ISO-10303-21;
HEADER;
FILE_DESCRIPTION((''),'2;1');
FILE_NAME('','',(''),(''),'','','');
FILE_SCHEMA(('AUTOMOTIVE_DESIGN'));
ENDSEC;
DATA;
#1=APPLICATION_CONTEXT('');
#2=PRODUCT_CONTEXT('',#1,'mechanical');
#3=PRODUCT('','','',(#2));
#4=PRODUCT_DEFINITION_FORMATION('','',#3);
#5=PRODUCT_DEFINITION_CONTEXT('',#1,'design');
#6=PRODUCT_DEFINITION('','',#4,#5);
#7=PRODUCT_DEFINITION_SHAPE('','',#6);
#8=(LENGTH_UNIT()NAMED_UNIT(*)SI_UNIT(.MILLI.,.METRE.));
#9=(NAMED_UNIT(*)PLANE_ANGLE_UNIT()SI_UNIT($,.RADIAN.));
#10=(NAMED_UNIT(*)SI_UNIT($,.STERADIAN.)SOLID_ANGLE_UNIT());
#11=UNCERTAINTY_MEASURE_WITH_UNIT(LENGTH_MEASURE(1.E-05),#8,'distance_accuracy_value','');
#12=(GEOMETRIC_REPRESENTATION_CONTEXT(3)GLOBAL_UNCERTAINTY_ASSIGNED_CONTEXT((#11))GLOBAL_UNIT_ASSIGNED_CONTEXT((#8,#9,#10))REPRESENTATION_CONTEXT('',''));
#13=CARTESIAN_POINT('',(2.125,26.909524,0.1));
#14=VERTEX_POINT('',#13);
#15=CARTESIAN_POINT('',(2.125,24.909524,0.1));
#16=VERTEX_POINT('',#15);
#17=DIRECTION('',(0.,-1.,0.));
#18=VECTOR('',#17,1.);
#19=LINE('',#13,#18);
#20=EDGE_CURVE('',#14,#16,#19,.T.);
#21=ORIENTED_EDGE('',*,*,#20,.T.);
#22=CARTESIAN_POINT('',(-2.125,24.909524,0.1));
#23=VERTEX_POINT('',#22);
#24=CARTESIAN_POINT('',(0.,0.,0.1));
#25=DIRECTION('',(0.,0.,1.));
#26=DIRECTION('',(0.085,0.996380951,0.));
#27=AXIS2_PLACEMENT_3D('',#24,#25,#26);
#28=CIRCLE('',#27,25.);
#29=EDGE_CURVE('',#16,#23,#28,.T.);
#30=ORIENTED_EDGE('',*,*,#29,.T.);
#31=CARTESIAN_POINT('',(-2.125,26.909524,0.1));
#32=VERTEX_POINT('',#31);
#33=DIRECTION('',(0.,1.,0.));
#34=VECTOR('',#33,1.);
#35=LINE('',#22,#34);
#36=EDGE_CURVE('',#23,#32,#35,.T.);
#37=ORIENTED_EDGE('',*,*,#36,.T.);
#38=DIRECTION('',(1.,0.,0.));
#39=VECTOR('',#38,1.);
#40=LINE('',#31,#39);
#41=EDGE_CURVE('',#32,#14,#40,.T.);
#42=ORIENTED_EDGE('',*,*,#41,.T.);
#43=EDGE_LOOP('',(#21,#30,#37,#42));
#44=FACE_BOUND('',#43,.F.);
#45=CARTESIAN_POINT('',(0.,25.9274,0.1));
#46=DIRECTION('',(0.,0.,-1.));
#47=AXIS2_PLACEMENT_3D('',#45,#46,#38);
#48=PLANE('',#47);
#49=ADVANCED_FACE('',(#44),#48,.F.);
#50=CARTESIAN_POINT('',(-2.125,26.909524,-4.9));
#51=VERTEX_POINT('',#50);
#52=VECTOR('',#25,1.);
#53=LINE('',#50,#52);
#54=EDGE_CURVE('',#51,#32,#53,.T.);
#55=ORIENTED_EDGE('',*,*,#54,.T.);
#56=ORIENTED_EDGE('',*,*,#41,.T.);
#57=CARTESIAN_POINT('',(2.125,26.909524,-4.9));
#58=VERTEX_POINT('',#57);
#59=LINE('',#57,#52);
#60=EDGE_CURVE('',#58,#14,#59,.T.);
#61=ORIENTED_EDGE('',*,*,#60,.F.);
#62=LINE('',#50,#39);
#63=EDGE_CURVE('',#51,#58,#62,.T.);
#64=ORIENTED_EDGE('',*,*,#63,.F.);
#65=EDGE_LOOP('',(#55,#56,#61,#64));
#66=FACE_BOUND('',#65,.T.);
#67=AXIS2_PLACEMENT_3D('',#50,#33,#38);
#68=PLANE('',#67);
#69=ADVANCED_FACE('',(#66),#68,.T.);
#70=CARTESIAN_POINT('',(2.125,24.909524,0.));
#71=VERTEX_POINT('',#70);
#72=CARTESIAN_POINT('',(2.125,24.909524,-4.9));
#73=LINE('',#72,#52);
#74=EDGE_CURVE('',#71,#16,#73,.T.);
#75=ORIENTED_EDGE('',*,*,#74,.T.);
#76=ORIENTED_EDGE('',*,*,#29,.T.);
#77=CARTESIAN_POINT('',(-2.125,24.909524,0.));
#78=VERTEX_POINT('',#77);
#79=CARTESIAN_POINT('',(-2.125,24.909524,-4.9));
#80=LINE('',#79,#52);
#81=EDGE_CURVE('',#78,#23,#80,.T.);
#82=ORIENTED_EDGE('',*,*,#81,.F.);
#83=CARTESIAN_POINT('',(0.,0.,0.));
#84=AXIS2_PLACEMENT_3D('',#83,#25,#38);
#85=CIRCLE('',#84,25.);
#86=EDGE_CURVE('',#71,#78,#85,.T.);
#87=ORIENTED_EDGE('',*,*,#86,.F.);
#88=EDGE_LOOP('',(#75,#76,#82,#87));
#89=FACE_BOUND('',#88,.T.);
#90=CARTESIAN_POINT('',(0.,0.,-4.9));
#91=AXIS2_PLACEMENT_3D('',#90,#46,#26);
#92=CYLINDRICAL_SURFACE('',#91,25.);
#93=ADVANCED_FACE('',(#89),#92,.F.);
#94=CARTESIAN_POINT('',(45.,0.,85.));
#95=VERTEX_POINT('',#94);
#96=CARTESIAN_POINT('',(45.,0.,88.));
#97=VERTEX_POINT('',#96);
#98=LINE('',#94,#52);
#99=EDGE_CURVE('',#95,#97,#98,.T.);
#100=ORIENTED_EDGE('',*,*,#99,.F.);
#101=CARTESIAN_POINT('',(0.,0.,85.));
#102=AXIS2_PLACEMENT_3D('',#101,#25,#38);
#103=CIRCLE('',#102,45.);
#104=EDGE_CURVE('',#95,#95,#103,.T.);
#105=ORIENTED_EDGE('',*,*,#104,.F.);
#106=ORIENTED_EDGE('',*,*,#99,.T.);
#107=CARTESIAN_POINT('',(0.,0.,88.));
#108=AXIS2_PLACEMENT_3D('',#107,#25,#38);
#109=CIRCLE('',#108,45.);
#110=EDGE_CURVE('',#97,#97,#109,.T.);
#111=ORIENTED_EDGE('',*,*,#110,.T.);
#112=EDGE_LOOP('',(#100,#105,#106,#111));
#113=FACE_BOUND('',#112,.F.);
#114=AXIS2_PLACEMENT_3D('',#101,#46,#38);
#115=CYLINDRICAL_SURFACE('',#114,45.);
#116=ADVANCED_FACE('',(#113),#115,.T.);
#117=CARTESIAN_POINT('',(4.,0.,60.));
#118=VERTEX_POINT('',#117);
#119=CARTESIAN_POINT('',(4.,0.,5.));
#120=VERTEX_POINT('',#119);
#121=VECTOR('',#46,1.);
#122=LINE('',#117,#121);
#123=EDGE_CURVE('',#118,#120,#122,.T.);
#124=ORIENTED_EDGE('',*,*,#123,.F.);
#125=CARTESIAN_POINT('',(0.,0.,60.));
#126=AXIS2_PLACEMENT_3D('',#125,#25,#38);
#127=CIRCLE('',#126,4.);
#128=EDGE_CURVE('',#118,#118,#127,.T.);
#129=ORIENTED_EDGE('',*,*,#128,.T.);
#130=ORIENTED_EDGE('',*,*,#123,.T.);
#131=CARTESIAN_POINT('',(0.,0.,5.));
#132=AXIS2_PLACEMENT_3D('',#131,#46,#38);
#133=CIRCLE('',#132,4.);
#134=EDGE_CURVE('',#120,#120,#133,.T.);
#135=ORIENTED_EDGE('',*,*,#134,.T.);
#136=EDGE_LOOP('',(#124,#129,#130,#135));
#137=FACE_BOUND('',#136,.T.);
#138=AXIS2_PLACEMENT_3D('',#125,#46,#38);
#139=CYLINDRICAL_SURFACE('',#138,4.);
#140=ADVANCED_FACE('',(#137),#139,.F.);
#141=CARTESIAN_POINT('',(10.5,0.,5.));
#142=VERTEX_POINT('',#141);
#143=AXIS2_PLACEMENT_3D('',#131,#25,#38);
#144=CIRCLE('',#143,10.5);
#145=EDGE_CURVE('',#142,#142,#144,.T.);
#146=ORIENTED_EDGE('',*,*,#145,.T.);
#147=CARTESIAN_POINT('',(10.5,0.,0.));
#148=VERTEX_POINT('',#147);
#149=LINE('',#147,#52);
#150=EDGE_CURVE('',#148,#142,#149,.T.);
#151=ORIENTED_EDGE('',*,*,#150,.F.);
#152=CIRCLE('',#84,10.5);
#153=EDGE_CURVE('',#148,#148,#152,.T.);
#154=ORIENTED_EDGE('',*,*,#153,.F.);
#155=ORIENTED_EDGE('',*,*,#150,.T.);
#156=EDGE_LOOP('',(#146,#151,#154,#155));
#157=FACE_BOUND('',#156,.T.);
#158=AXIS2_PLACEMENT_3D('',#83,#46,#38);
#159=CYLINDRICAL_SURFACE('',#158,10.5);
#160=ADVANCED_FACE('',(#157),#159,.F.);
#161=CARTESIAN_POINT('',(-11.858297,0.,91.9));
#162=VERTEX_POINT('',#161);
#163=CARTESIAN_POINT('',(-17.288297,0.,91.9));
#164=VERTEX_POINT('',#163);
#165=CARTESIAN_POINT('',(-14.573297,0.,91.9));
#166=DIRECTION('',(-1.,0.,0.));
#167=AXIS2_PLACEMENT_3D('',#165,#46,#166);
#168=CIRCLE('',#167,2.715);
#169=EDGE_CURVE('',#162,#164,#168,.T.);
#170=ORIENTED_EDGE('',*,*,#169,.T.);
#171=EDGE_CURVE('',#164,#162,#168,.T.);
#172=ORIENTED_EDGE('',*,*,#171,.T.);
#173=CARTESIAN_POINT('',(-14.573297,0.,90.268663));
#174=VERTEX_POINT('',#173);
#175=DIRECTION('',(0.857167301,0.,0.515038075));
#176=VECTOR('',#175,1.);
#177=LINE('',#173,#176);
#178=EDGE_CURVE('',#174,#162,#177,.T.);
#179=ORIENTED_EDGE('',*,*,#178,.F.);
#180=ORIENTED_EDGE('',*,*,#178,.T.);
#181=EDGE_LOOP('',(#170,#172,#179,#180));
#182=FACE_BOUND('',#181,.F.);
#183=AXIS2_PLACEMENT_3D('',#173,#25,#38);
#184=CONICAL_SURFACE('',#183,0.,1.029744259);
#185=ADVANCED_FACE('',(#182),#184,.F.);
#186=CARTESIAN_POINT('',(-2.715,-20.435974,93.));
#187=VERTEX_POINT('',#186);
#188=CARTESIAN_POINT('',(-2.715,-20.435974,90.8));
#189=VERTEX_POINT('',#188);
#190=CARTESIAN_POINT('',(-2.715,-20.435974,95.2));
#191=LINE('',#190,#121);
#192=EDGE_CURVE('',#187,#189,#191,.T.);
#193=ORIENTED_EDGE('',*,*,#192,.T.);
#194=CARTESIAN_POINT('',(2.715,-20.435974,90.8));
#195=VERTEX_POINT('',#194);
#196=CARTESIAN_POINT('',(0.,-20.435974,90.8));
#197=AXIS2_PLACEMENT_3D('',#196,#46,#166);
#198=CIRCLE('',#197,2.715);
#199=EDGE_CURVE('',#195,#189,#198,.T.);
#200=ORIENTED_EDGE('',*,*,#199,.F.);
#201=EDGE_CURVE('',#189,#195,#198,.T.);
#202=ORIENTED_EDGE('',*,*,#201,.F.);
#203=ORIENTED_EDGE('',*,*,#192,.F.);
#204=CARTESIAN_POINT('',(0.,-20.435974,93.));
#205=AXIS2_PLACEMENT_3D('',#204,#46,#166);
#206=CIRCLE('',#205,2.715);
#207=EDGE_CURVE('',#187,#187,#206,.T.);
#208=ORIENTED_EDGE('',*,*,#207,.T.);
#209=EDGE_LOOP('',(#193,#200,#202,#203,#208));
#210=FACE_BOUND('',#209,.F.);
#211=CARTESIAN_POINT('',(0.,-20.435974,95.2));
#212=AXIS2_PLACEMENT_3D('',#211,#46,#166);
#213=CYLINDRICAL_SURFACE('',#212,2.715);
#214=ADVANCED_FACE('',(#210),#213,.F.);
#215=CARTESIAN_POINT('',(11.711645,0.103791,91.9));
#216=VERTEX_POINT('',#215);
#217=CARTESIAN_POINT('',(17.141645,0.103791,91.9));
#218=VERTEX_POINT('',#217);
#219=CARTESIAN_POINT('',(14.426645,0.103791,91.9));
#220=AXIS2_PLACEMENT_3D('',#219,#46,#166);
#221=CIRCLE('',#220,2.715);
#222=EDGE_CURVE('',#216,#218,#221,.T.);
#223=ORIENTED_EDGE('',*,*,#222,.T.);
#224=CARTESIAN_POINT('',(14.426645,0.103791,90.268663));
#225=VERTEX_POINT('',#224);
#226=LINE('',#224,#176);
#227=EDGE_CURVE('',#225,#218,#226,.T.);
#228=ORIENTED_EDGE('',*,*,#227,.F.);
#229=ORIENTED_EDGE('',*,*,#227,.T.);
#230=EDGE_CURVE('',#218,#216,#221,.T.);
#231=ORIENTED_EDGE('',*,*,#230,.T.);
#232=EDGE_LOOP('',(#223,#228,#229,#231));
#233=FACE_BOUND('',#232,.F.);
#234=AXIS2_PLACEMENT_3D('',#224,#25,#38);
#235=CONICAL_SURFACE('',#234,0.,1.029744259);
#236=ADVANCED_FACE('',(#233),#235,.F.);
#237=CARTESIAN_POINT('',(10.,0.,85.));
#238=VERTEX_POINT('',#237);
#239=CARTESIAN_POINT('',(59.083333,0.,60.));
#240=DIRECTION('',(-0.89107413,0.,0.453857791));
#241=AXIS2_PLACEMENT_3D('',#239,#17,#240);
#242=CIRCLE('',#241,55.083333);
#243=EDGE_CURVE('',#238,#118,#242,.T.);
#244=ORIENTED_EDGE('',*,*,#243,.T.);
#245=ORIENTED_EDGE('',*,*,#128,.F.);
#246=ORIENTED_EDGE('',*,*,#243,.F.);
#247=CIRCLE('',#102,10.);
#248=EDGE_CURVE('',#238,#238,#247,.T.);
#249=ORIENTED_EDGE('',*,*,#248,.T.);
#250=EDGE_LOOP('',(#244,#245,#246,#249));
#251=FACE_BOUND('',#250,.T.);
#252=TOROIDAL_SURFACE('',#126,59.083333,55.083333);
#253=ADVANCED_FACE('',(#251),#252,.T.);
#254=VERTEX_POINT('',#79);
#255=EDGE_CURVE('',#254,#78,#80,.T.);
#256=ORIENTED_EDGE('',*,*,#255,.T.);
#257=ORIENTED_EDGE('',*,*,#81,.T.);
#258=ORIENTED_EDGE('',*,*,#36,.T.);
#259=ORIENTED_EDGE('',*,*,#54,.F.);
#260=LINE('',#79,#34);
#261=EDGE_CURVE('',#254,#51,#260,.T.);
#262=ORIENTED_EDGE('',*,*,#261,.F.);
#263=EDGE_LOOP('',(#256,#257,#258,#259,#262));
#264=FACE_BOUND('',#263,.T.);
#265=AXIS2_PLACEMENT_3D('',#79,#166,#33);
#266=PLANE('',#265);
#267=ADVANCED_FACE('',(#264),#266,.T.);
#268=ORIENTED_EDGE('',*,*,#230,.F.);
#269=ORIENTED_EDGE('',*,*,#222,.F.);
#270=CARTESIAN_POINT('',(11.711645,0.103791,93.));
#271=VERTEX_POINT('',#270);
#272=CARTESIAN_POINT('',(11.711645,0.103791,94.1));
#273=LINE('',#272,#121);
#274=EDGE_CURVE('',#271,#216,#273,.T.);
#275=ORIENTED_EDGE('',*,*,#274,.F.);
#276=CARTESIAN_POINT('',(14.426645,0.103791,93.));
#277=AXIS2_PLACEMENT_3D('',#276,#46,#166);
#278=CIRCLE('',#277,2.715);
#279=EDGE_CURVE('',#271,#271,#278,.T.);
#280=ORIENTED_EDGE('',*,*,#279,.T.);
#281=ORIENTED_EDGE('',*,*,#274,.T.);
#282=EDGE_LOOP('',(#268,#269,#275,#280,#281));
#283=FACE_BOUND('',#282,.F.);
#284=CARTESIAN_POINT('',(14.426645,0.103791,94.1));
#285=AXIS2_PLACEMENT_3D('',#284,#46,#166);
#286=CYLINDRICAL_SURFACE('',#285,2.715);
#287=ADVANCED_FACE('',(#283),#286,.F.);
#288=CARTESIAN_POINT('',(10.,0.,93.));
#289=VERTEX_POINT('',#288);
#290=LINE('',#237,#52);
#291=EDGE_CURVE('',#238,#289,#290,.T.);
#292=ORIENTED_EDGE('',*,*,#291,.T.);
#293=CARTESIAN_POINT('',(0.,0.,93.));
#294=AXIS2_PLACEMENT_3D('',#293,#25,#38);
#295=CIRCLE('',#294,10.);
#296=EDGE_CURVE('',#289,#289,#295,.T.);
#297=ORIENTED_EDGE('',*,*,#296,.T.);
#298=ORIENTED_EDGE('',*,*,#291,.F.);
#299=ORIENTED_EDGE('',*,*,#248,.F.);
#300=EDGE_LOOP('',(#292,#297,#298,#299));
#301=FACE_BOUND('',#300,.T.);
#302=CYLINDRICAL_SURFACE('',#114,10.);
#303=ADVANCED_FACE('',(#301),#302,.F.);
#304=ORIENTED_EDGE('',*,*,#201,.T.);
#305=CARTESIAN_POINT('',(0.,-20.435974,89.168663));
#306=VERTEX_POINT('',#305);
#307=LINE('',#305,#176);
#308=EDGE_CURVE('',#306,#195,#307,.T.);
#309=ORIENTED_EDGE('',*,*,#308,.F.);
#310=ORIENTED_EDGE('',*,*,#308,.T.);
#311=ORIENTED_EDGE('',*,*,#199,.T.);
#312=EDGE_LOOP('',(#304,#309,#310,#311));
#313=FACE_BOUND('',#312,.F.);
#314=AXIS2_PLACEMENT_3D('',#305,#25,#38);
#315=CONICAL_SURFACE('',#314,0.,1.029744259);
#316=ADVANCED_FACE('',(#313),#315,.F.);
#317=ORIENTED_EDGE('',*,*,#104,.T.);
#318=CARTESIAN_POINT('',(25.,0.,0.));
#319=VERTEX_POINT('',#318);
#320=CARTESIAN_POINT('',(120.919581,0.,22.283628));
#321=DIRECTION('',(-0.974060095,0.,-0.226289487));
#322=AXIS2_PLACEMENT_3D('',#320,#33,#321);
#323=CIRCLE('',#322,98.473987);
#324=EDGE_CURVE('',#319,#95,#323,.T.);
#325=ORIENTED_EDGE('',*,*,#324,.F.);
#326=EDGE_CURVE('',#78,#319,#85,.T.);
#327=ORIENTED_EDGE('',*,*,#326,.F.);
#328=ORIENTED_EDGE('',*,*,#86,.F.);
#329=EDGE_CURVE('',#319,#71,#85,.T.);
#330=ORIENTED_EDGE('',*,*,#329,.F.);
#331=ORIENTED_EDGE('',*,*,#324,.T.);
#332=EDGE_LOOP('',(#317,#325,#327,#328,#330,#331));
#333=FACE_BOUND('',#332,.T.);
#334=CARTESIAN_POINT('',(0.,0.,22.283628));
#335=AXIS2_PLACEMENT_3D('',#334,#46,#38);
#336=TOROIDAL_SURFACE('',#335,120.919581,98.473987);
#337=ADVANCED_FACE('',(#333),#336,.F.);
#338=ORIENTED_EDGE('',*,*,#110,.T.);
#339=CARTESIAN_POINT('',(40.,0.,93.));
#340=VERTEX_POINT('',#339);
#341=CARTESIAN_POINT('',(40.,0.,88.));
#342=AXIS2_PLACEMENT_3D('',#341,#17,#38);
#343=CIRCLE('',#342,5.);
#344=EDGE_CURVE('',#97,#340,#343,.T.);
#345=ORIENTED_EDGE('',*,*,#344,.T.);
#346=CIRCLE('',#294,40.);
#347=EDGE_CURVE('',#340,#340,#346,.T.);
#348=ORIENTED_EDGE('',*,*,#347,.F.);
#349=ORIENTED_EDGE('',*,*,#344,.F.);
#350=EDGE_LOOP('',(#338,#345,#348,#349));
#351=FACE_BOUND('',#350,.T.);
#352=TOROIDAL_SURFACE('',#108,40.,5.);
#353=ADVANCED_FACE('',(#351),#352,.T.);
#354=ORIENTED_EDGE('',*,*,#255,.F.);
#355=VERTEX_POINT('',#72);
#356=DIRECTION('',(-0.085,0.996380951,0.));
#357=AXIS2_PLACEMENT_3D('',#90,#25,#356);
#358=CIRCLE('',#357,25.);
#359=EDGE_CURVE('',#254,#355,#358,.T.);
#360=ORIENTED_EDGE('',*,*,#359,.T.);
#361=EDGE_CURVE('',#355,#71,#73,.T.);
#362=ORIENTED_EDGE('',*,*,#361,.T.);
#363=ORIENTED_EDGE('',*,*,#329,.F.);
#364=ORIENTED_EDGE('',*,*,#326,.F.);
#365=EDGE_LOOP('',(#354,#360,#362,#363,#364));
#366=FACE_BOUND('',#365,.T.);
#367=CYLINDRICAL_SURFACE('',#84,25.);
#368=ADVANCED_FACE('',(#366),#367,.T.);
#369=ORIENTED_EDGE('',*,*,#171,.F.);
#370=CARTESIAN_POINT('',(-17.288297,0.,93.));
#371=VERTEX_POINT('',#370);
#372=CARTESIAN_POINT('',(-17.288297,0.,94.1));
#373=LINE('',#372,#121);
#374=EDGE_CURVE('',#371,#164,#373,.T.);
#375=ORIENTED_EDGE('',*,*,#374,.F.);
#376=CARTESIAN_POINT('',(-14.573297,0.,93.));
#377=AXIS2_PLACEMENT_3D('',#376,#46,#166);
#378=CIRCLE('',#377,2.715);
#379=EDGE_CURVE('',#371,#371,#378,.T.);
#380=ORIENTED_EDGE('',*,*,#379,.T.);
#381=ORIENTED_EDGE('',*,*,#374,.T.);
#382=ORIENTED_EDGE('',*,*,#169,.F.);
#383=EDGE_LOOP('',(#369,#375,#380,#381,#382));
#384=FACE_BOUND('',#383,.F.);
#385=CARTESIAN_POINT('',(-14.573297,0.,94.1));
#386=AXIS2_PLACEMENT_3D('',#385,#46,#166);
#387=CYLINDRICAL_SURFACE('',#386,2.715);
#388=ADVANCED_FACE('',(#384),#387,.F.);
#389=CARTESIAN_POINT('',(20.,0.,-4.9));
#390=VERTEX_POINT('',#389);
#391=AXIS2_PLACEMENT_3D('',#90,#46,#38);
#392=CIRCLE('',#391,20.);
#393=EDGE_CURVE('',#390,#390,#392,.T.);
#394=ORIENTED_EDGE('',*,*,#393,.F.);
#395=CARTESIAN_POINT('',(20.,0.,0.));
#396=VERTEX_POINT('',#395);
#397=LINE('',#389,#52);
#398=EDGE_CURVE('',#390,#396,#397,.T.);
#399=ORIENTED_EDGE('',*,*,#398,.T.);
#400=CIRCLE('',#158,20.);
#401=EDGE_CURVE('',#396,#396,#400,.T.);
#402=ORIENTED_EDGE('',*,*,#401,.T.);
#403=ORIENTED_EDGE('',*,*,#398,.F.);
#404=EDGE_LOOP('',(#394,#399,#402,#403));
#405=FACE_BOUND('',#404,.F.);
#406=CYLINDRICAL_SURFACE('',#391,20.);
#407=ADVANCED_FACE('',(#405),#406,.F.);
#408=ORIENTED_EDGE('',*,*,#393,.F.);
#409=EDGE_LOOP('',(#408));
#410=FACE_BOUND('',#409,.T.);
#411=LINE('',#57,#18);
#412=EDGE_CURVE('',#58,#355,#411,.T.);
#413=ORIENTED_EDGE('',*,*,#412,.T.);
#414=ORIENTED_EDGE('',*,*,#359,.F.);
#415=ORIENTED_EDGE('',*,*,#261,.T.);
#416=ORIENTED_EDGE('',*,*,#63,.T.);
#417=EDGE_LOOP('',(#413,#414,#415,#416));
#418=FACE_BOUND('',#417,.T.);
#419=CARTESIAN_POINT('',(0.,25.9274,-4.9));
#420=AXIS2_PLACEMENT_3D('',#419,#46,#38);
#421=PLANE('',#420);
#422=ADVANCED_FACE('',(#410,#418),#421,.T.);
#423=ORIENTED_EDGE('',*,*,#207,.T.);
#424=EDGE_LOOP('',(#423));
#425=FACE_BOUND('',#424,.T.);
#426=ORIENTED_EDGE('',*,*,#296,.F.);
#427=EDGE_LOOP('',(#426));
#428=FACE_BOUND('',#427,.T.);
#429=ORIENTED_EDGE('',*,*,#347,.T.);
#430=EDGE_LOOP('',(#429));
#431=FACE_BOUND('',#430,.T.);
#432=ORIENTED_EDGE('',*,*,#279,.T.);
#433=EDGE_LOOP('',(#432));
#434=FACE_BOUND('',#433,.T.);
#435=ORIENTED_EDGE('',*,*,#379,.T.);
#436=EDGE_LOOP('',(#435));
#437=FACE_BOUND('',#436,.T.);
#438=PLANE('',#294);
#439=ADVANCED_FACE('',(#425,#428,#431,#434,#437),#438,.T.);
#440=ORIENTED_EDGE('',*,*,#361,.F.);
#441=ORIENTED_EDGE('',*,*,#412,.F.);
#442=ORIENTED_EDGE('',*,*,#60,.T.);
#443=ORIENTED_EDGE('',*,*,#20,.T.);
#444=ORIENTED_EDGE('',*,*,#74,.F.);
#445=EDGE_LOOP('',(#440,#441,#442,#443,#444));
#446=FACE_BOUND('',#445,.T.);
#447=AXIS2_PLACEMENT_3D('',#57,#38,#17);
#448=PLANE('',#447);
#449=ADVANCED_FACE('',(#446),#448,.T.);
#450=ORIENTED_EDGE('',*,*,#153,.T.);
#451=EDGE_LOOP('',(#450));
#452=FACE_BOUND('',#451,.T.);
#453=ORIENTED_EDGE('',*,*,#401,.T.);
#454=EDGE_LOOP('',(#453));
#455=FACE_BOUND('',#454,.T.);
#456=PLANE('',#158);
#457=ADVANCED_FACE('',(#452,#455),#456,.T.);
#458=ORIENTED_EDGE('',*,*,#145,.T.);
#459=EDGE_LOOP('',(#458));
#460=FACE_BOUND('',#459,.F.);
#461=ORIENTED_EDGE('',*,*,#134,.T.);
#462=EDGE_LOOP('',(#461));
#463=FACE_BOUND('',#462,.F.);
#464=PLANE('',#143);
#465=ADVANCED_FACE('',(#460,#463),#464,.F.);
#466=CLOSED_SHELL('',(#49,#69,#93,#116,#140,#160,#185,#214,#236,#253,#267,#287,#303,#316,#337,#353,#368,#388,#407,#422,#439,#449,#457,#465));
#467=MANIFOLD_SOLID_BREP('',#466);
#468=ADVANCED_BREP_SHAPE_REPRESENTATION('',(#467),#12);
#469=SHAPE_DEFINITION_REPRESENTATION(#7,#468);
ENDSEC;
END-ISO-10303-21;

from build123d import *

# Parameters (mm, degrees)
F3_DEPTH  = 4.9
F4_R      = 20
F4_R_2    = 4
F5_DEPTH  = 4.9
F6_DEPTH  = 8
F7_R      = 5
F9_D      = 5.43
F9_DEPTH  = 1.1
F9_TIP    = 1.6313365807
F10_D     = 5.43
F10_DEPTH = 2.2
F10_TIP   = 1.6313365807
F11_R     = 10.5
F12_DEPTH = 5
F14_DEPTH = 5


with BuildPart() as f2:
    # F0 (on Front) → F2 (revolve)
    with BuildSketch(Plane.XZ):
        with BuildLine():
            Line((4, 0), (25, 0))
            ThreePointArc((25, 0), (25.0633115181, 44.8380443487), (45, 85))
            Line((45, 85), (10, 85))
            ThreePointArc((10, 85), (5.5209994492, 72.8549601322), (4, 60))
            Line((4, 60), (4, 0))
        make_face()
    revolve(axis=Axis((0, 0, 25.1682717353), (0, 0, 1)))

    # F3 (add): a face of the model
    f3_faces = [f2.faces().sort_by_distance(p)[0] for p in [
        (-4.7071067812, 0, 0),
    ]]
    extrude(f3_faces, amount=F3_DEPTH)

    # F4 (on face) → F5 (cut)
    with BuildSketch(Plane(origin=(0, 0, -4.9), x_dir=(1, 0, 0), z_dir=(0, 0, -1))):
        Circle(F4_R)
        Circle(F4_R_2, mode=Mode.SUBTRACT)
    extrude(amount=-F5_DEPTH, mode=Mode.SUBTRACT)

    # F6 (add): a face of the model
    f6_faces = [f2.faces().sort_by_distance(p)[0] for p in [
        (-43.7272077939, 0, 85),
    ]]
    extrude(f6_faces, amount=F6_DEPTH)

    # F7
    f7_edges = [f2.edges().sort_by_distance(p)[0] for p in [
        (-45, 0, 93),
    ]]
    fillet(f7_edges, radius=F7_R)

    # F9
    with Locations(Plane.XY.offset(93)):
        with Locations((14.426644952, 0.1037907432), (-14.573297048, 0)):
            Hole(F9_D / 2, depth=F9_DEPTH)
            with Locations((0, 0, -(F9_DEPTH + F9_TIP / 2))):  # 118° drill point
                Cone(0, F9_D / 2, F9_TIP, mode=Mode.SUBTRACT)

    # F10
    with Locations(Plane.XY.offset(93)):
        with Locations((0, -20.4359735063)):
            Hole(F10_D / 2, depth=F10_DEPTH)
            with Locations((0, 0, -(F10_DEPTH + F10_TIP / 2))):  # 118° drill point
                Cone(0, F10_D / 2, F10_TIP, mode=Mode.SUBTRACT)

    # F11 (on Top) → F12 (cut)
    with BuildSketch(Plane.XY):
        Circle(F11_R)
    extrude(amount=F12_DEPTH, mode=Mode.SUBTRACT)

    # F13 (on face) → F14 (join)
    with BuildSketch(Plane(origin=(0, 0, -4.9), x_dir=(1, 0, 0), z_dir=(0, 0, -1))):
        with BuildLine():
            ThreePointArc((2.125, -24.9095237811), (0, -25), (-2.125, -24.9095237811))
            Line((-2.125, -24.9095237811), (-2.125, -26.9095237811))
            Line((-2.125, -26.9095237811), (2.125, -26.9095237811))
            Line((2.125, -26.9095237811), (2.125, -24.9095237811))
        make_face()
    extrude(amount=-F14_DEPTH)


solid = f2.part
